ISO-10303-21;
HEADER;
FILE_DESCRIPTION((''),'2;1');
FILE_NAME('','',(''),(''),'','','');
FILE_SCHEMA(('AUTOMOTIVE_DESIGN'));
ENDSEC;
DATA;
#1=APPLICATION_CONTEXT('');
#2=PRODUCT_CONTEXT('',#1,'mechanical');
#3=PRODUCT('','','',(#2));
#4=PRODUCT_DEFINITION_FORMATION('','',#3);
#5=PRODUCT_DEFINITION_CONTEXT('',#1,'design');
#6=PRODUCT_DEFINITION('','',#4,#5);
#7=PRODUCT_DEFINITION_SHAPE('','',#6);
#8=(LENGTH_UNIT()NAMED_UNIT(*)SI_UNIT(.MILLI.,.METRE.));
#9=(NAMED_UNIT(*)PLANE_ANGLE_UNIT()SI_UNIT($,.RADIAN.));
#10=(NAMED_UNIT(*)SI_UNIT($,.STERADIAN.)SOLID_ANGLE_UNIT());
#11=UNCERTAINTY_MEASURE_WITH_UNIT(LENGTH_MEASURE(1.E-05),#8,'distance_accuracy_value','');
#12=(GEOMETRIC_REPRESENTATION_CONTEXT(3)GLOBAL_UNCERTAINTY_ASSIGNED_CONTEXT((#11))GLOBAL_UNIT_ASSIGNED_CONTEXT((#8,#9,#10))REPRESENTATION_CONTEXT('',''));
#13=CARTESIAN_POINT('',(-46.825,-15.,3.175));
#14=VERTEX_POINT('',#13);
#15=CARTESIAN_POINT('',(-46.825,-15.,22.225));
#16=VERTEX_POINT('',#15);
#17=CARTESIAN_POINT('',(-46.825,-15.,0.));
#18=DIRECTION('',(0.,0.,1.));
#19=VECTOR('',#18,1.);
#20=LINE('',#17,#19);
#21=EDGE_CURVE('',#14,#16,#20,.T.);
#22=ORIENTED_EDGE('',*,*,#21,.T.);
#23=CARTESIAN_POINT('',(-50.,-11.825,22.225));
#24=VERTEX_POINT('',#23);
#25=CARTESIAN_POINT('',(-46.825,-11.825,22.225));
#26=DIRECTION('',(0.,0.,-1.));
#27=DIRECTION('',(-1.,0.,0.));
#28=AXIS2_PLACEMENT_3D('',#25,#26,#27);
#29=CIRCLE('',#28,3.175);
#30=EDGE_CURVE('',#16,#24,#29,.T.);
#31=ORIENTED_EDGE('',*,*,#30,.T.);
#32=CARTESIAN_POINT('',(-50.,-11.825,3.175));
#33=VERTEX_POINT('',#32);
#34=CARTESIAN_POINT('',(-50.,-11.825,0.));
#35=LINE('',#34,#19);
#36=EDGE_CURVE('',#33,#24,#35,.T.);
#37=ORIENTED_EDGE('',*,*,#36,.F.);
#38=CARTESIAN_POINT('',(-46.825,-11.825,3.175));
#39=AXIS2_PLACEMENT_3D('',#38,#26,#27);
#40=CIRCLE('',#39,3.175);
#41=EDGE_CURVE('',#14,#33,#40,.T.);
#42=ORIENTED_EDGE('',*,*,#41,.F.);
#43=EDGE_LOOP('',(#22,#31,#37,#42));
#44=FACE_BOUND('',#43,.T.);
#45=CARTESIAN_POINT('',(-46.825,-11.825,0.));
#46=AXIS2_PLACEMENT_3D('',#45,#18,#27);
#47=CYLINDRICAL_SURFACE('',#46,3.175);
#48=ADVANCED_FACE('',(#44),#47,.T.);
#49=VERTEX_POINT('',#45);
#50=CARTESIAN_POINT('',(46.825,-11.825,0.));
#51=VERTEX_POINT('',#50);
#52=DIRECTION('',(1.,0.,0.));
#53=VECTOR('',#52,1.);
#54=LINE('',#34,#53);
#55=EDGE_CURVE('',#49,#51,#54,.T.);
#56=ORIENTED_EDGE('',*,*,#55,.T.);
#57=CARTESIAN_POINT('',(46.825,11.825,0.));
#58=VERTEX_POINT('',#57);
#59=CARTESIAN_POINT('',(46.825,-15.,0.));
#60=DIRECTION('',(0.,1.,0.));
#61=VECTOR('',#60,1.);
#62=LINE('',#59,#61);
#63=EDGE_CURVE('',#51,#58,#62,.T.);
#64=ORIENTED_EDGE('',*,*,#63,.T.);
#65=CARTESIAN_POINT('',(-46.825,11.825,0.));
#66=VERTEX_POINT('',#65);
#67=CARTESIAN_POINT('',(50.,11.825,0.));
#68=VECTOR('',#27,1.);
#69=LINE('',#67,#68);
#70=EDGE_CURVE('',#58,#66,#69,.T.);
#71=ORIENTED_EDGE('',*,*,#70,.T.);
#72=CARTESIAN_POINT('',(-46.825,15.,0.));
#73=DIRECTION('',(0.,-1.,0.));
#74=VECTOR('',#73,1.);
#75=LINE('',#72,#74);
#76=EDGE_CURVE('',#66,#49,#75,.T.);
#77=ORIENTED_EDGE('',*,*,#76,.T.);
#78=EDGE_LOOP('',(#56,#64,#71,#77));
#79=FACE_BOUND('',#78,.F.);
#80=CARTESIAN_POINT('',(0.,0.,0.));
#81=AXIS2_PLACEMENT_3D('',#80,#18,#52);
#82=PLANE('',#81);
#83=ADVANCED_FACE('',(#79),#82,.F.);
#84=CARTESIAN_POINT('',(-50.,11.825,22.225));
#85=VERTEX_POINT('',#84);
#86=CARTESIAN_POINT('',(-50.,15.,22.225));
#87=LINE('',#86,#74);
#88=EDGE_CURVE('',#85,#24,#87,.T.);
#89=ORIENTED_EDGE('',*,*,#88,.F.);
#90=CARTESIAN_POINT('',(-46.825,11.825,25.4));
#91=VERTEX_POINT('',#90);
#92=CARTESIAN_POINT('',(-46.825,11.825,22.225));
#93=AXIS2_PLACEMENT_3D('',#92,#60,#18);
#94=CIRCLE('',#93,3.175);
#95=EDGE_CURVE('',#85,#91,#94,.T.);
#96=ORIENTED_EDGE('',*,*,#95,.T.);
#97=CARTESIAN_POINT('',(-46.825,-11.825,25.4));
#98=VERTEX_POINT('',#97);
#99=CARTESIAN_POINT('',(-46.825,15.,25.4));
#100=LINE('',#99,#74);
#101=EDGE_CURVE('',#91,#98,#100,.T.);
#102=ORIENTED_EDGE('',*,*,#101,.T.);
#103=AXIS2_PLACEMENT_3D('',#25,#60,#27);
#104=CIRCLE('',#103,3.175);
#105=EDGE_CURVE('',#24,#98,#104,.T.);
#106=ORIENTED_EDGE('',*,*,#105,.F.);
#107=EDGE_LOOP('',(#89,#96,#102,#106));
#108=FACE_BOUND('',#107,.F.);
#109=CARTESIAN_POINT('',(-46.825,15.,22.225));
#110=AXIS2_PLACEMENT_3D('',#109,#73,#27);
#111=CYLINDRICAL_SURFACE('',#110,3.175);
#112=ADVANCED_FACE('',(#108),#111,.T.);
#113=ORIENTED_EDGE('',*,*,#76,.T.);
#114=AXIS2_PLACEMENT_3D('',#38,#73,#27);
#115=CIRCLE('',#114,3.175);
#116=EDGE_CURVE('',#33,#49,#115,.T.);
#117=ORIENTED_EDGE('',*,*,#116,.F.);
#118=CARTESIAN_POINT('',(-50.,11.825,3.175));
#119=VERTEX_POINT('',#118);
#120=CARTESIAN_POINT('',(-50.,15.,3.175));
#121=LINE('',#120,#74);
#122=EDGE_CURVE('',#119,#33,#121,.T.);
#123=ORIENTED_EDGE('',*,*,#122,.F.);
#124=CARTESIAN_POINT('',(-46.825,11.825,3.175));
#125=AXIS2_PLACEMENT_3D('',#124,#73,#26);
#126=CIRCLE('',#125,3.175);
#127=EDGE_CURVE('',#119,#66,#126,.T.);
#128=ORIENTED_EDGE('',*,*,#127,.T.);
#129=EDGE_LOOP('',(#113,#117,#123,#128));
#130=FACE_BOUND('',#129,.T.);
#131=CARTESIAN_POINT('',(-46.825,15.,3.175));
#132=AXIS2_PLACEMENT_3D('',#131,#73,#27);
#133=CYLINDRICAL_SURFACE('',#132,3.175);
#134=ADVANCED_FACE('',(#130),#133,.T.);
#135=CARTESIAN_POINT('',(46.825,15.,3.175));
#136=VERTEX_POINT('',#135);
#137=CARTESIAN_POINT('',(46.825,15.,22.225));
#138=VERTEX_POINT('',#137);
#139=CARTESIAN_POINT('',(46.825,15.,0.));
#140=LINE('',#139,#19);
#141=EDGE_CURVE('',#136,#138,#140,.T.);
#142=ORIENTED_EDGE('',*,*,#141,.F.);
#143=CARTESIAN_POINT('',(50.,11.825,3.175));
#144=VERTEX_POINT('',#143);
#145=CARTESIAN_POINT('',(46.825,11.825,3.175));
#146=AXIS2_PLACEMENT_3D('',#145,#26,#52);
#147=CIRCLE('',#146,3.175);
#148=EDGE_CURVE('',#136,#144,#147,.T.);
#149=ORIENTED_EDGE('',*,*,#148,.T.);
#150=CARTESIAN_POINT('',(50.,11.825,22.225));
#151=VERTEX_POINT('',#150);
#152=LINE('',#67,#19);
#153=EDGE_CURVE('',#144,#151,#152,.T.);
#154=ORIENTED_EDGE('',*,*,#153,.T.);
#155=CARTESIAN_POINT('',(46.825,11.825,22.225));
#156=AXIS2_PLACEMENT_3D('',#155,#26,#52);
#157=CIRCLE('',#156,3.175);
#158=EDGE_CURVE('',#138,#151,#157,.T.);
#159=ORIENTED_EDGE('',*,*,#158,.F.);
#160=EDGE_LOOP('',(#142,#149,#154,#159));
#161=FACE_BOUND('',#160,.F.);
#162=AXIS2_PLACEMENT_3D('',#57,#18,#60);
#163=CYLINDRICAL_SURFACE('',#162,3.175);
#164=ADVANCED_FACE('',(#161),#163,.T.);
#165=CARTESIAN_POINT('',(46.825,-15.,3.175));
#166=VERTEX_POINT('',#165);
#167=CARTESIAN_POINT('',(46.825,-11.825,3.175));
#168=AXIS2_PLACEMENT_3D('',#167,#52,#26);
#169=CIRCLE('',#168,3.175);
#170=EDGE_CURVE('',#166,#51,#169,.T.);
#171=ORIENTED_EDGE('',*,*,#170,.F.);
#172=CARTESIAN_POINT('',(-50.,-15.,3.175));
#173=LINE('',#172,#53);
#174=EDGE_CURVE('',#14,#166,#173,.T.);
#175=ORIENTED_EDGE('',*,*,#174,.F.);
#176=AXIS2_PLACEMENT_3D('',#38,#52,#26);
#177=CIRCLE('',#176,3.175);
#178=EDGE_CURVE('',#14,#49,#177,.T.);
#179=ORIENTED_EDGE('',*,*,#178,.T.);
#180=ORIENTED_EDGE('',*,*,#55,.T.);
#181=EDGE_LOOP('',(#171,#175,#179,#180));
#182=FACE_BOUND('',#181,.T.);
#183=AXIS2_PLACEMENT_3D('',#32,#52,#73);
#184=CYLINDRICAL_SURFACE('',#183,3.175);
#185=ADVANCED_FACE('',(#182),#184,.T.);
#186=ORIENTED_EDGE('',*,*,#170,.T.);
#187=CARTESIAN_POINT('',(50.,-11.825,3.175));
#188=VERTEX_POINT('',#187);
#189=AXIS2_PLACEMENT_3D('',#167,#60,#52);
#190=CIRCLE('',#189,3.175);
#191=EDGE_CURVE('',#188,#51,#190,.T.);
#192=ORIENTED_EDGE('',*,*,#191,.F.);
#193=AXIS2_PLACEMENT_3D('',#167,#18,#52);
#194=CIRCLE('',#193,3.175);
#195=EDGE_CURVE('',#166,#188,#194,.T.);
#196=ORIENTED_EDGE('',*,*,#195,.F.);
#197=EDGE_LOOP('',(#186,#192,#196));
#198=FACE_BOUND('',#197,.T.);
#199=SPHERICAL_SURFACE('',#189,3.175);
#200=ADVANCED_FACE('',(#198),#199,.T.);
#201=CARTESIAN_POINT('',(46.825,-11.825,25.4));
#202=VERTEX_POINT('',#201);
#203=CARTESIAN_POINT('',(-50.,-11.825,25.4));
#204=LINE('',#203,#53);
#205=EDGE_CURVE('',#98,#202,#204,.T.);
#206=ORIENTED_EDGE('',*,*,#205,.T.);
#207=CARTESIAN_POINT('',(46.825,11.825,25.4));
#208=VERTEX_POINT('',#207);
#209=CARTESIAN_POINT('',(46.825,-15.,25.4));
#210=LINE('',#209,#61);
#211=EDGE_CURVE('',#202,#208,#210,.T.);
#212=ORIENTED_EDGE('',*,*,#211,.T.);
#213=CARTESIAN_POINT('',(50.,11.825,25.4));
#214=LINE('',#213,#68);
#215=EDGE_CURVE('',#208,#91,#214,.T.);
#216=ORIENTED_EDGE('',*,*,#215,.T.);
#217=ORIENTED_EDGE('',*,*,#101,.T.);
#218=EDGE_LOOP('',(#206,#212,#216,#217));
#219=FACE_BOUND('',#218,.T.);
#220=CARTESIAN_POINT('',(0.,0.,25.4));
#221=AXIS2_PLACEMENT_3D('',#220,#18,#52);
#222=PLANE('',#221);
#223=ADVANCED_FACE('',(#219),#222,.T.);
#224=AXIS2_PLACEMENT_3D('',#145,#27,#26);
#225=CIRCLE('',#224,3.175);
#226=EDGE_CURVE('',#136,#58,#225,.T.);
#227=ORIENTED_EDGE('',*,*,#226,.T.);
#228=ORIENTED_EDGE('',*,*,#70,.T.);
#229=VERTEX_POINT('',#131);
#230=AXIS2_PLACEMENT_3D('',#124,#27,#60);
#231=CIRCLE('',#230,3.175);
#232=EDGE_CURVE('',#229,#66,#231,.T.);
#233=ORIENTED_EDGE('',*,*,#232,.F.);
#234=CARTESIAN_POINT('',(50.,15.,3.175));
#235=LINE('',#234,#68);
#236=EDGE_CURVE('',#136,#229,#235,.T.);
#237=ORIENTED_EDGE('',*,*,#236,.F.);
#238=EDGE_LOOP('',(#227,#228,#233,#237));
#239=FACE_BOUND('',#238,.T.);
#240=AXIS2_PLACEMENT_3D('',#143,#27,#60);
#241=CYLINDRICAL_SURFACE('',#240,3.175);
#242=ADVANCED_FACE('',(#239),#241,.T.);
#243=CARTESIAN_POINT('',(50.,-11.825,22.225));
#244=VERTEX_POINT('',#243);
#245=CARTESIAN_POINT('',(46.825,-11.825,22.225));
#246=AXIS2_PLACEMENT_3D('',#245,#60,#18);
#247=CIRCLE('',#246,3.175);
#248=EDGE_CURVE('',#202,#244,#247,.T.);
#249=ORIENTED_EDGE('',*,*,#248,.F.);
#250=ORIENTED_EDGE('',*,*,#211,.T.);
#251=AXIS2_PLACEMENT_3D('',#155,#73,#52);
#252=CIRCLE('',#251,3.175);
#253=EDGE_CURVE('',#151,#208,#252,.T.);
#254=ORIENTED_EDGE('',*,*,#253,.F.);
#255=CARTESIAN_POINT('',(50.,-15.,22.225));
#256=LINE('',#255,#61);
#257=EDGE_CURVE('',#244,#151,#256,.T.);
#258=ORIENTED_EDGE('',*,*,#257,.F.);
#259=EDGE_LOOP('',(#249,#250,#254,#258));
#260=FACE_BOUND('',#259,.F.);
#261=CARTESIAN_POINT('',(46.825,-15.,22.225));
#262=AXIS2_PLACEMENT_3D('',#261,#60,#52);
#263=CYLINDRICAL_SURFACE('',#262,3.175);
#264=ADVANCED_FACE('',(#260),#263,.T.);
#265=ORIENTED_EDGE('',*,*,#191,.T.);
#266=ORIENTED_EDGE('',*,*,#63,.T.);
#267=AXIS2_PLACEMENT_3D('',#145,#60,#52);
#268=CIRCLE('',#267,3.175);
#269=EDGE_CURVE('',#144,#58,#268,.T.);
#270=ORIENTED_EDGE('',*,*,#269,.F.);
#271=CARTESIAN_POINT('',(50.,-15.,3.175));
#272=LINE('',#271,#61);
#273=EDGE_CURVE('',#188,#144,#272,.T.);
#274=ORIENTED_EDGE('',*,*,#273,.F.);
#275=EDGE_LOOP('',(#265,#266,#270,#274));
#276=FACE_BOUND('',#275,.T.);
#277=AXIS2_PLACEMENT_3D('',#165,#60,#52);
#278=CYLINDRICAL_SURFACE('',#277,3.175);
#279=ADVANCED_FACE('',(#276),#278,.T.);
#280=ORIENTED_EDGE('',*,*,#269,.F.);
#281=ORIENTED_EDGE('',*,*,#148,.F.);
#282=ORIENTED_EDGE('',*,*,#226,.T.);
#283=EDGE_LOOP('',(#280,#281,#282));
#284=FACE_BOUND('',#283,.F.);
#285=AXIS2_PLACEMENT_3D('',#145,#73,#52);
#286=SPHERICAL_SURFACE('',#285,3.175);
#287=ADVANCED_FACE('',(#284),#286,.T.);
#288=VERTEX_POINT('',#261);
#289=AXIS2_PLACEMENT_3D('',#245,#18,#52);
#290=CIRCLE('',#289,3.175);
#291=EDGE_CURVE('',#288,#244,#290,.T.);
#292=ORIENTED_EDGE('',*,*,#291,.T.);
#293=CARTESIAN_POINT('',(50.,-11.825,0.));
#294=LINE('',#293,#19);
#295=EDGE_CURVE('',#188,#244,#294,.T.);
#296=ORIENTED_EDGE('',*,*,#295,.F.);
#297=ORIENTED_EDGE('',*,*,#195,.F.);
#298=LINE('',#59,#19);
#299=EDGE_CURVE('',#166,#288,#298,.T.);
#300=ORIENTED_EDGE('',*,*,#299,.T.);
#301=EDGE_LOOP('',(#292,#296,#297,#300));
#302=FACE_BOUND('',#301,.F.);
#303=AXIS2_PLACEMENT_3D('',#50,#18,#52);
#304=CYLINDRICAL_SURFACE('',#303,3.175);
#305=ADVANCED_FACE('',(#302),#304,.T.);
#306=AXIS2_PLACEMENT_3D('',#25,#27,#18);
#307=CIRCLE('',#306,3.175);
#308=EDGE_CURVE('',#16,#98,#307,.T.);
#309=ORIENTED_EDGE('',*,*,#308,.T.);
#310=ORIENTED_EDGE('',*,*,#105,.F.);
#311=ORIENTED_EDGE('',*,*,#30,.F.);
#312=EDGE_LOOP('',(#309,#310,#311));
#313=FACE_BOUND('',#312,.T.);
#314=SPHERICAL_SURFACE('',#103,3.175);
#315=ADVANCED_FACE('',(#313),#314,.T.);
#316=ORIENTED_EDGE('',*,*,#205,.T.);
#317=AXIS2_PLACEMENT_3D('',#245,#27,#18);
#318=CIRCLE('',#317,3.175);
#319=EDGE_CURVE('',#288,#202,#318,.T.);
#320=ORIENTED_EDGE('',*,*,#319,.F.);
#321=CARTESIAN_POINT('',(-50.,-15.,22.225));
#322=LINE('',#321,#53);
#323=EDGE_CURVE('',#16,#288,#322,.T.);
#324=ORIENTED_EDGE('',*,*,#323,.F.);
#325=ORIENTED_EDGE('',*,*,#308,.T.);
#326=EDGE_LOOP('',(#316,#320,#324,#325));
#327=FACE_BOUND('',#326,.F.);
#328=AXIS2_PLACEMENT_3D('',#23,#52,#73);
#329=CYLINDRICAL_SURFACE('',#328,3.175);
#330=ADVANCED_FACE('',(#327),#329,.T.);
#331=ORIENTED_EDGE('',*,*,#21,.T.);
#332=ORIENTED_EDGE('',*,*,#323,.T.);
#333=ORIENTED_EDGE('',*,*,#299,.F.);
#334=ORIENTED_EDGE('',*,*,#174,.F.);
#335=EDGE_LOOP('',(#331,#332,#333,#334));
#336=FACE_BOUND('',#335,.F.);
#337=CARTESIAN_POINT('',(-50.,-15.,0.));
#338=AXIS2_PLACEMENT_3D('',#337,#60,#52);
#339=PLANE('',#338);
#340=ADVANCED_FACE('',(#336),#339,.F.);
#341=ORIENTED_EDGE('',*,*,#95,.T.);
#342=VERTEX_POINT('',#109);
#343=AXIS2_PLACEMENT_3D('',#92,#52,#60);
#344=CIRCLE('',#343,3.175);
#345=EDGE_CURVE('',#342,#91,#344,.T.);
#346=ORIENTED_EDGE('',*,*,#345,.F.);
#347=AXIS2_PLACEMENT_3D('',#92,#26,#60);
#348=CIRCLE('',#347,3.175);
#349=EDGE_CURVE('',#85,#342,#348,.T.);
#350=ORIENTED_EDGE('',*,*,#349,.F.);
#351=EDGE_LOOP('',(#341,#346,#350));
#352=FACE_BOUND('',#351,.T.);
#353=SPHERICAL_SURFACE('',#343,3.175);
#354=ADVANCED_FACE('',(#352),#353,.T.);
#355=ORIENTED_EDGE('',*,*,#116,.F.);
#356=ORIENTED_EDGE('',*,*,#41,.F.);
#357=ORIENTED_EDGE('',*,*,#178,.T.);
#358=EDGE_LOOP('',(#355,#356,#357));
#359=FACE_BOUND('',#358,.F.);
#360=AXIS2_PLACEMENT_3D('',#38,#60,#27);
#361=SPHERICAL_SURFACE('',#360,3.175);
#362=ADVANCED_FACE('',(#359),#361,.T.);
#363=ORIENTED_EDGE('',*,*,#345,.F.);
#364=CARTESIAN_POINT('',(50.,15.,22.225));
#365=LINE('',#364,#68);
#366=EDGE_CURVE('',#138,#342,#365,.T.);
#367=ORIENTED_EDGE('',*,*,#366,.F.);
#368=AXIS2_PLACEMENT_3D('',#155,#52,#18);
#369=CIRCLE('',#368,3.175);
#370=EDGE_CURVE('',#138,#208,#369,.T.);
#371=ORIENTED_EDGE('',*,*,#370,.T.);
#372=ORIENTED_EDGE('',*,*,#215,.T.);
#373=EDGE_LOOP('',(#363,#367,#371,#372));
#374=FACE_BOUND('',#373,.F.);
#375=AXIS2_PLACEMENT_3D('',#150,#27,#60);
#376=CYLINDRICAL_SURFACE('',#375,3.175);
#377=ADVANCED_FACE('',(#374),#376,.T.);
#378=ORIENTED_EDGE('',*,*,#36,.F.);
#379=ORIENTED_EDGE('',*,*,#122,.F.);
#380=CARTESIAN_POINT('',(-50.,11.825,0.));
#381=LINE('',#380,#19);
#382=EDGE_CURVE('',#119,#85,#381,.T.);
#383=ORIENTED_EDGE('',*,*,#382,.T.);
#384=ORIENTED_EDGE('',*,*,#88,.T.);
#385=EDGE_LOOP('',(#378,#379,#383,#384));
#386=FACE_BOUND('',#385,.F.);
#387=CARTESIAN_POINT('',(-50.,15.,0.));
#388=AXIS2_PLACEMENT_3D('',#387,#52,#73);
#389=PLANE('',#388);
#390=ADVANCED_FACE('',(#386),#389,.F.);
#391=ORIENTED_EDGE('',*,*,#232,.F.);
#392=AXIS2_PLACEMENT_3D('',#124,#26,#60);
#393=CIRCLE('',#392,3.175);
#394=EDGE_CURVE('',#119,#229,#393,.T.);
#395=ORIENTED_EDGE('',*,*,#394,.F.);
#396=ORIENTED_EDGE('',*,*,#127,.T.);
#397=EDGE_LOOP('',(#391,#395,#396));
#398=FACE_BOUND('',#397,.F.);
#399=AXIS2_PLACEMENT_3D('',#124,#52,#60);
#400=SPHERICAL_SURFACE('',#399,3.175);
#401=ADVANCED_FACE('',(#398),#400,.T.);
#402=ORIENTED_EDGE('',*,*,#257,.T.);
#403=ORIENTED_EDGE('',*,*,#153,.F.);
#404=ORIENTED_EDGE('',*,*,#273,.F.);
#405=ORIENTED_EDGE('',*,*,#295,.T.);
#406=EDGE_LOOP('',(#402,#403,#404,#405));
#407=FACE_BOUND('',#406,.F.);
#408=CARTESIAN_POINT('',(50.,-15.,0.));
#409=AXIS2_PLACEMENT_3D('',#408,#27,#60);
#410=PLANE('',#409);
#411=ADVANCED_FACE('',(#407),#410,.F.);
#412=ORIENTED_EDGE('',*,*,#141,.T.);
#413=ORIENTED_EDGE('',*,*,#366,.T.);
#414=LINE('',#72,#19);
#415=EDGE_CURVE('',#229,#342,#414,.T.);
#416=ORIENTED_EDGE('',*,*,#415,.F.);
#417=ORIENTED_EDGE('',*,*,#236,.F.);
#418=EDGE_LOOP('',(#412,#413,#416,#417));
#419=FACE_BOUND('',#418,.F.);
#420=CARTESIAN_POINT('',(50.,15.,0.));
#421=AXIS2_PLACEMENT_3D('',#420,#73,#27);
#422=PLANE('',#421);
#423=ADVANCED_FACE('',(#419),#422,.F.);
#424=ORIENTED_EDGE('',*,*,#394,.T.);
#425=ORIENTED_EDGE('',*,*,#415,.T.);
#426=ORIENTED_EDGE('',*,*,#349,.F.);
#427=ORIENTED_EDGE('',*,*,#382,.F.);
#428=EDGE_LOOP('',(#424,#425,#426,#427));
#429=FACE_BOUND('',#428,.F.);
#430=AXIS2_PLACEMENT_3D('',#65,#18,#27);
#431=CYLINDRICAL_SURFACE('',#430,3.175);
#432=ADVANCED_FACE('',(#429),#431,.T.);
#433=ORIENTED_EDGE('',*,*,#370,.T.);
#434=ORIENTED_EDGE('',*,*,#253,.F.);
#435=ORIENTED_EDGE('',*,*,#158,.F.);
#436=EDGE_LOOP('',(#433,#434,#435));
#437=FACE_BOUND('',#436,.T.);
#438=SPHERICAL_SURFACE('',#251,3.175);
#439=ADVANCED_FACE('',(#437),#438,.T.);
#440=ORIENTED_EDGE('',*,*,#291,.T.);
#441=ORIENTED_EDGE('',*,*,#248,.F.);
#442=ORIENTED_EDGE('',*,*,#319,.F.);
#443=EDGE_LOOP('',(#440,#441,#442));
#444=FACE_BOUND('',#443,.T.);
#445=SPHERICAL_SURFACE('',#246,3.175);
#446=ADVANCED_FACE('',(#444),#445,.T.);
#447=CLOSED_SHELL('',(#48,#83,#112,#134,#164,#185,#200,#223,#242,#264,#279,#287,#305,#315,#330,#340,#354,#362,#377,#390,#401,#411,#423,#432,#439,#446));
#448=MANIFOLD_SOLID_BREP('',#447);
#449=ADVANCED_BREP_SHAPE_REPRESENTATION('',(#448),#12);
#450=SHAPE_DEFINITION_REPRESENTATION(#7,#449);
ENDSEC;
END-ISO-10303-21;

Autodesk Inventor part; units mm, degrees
ref_plane "YZ Plane" through (0, 0, 0) normal (1, 0, 0) x (0, 1, 0)
ref_plane "XZ Plane" through (0, 0, 0) normal (0, 1, 0) x (-1, 0, 0)
ref_plane "XY Plane" through (0, 0, 0) normal (0, 0, 1) x (1, 0, 0)
sketch "Sketch1" plane through (0, 0, 0) normal (0, 0, 1) x (1, 0, 0)
  line L0 (-50, -15) -> (50, -15)
  line L1 (50, -15) -> (50, 15)
  line L2 (50, 15) -> (-50, 15)
  line L3 (-50, 15) -> (-50, -15)
  line L4 (-50, -15) -> (50, 15) construction
  line L5 (50, -15) -> (-50, 15) construction
  point P0 (0, 0)
  dimension "d0" = 100
  dimension "d1" = 30
extrude "Extrusion1" add sketch "Sketch1" along normal blind 25.4
fillet "Fillet1" radius 3.175 12 edges at (50, 0, 25.4) (50, 0, 0) (50, 15, 12.7) (0, 15, 25.4) (0, 15, 0) (-50, 15, 12.7) (-50, 0, 25.4) (-50, 0, 0) (-50, -15, 12.7) (0, -15, 25.4) (50, -15, 12.7) (0, -15, 0)
properties part number "usbhubnewblockboostermount"
